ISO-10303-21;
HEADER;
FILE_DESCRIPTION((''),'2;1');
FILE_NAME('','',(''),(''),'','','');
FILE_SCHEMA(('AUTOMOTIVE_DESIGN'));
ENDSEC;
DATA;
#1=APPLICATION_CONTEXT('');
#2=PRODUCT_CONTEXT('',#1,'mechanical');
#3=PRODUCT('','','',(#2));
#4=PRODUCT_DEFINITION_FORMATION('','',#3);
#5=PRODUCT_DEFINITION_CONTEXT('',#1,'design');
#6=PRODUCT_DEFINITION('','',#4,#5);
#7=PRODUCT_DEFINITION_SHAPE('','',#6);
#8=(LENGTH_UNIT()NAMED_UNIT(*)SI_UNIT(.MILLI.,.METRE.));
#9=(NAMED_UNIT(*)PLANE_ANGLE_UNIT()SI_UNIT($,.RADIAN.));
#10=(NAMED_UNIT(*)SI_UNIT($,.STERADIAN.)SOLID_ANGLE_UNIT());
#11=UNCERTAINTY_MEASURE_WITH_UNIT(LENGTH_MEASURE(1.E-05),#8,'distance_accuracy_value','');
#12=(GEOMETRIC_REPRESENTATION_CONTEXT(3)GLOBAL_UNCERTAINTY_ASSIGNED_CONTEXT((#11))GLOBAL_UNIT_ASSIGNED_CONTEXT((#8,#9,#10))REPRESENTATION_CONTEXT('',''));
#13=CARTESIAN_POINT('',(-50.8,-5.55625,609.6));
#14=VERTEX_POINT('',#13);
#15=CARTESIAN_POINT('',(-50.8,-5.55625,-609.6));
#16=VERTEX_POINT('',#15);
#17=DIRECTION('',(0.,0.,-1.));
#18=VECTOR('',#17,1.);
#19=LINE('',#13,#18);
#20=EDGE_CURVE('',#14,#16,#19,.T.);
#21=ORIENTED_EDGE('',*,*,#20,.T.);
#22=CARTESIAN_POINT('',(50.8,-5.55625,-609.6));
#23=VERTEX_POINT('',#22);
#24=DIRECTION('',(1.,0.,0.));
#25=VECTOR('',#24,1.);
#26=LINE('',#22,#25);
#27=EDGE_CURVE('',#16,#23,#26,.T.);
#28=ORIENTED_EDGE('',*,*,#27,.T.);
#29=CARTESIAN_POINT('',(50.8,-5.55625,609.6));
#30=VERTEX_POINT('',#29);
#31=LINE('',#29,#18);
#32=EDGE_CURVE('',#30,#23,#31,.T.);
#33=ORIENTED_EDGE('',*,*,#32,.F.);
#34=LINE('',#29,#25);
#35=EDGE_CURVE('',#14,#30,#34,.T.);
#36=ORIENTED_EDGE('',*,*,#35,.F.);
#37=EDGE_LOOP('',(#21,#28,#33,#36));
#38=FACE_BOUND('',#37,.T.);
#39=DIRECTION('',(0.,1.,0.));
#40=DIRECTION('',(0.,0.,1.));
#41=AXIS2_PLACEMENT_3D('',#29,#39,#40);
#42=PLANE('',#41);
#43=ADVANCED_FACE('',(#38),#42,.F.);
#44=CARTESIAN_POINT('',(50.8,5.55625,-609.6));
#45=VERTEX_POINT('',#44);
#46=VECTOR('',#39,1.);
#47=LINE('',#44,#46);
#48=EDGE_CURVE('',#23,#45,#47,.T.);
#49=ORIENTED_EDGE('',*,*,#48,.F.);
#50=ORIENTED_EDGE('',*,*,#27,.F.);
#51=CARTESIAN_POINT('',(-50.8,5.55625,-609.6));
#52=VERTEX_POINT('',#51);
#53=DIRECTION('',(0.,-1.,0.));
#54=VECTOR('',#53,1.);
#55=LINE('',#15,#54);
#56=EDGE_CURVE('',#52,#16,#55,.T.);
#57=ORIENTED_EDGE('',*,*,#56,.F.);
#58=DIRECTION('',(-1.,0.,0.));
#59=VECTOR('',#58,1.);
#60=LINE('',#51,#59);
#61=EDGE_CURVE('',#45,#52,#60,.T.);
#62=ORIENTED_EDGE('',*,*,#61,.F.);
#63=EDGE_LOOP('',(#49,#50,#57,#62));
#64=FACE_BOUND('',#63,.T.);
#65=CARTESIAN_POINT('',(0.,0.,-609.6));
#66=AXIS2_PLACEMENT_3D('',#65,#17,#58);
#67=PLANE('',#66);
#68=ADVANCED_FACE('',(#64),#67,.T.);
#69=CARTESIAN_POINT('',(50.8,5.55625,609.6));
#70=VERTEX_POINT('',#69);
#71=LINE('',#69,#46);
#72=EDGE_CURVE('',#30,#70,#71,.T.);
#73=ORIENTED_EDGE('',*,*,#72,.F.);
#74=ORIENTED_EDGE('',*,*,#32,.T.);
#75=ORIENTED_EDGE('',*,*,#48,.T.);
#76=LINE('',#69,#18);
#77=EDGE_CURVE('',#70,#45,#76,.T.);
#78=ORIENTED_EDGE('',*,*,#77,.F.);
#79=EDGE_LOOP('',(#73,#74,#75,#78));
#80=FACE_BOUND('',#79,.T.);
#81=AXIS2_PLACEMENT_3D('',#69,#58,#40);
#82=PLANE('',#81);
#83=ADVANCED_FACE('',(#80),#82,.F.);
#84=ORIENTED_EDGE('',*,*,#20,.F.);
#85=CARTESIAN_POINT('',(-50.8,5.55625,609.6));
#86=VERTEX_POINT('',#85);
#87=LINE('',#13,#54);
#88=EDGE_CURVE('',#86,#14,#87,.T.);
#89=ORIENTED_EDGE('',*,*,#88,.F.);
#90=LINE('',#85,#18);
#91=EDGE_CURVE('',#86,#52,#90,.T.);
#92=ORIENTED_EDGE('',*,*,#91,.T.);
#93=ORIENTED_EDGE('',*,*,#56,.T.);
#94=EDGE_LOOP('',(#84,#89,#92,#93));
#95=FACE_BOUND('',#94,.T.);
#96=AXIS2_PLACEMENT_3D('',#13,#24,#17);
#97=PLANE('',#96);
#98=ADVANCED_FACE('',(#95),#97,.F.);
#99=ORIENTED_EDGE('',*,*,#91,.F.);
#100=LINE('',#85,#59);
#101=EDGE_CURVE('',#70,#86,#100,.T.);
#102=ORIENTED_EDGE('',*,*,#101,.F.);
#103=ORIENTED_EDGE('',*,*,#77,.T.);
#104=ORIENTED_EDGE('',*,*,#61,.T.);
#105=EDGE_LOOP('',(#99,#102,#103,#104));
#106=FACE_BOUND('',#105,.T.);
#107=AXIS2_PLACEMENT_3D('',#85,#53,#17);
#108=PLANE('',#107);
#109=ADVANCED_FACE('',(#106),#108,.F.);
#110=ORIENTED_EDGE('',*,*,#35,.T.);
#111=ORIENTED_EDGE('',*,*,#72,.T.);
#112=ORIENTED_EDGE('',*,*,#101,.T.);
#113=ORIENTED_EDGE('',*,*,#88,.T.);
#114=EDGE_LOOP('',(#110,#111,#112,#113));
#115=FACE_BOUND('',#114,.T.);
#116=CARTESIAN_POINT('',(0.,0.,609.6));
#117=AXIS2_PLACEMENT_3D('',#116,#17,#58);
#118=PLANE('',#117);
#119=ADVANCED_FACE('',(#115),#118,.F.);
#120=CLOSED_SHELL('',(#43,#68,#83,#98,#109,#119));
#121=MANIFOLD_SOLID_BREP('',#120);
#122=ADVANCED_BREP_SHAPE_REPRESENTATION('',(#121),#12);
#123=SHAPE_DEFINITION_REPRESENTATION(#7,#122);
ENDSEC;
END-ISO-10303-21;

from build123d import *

# Parameters (mm, degrees)
SKETCH3_W           = 101.6
SKETCH3_H           = 11.1125
BOSS_EXTRUDE1_DEPTH = 609.6


with BuildPart() as part:
    # Sketch3 → Boss-Extrude1 (new, symmetric)
    with BuildSketch(Plane.XY):
        Rectangle(SKETCH3_W, SKETCH3_H)
    extrude(amount=BOSS_EXTRUDE1_DEPTH, both=True)


solid = part.part
